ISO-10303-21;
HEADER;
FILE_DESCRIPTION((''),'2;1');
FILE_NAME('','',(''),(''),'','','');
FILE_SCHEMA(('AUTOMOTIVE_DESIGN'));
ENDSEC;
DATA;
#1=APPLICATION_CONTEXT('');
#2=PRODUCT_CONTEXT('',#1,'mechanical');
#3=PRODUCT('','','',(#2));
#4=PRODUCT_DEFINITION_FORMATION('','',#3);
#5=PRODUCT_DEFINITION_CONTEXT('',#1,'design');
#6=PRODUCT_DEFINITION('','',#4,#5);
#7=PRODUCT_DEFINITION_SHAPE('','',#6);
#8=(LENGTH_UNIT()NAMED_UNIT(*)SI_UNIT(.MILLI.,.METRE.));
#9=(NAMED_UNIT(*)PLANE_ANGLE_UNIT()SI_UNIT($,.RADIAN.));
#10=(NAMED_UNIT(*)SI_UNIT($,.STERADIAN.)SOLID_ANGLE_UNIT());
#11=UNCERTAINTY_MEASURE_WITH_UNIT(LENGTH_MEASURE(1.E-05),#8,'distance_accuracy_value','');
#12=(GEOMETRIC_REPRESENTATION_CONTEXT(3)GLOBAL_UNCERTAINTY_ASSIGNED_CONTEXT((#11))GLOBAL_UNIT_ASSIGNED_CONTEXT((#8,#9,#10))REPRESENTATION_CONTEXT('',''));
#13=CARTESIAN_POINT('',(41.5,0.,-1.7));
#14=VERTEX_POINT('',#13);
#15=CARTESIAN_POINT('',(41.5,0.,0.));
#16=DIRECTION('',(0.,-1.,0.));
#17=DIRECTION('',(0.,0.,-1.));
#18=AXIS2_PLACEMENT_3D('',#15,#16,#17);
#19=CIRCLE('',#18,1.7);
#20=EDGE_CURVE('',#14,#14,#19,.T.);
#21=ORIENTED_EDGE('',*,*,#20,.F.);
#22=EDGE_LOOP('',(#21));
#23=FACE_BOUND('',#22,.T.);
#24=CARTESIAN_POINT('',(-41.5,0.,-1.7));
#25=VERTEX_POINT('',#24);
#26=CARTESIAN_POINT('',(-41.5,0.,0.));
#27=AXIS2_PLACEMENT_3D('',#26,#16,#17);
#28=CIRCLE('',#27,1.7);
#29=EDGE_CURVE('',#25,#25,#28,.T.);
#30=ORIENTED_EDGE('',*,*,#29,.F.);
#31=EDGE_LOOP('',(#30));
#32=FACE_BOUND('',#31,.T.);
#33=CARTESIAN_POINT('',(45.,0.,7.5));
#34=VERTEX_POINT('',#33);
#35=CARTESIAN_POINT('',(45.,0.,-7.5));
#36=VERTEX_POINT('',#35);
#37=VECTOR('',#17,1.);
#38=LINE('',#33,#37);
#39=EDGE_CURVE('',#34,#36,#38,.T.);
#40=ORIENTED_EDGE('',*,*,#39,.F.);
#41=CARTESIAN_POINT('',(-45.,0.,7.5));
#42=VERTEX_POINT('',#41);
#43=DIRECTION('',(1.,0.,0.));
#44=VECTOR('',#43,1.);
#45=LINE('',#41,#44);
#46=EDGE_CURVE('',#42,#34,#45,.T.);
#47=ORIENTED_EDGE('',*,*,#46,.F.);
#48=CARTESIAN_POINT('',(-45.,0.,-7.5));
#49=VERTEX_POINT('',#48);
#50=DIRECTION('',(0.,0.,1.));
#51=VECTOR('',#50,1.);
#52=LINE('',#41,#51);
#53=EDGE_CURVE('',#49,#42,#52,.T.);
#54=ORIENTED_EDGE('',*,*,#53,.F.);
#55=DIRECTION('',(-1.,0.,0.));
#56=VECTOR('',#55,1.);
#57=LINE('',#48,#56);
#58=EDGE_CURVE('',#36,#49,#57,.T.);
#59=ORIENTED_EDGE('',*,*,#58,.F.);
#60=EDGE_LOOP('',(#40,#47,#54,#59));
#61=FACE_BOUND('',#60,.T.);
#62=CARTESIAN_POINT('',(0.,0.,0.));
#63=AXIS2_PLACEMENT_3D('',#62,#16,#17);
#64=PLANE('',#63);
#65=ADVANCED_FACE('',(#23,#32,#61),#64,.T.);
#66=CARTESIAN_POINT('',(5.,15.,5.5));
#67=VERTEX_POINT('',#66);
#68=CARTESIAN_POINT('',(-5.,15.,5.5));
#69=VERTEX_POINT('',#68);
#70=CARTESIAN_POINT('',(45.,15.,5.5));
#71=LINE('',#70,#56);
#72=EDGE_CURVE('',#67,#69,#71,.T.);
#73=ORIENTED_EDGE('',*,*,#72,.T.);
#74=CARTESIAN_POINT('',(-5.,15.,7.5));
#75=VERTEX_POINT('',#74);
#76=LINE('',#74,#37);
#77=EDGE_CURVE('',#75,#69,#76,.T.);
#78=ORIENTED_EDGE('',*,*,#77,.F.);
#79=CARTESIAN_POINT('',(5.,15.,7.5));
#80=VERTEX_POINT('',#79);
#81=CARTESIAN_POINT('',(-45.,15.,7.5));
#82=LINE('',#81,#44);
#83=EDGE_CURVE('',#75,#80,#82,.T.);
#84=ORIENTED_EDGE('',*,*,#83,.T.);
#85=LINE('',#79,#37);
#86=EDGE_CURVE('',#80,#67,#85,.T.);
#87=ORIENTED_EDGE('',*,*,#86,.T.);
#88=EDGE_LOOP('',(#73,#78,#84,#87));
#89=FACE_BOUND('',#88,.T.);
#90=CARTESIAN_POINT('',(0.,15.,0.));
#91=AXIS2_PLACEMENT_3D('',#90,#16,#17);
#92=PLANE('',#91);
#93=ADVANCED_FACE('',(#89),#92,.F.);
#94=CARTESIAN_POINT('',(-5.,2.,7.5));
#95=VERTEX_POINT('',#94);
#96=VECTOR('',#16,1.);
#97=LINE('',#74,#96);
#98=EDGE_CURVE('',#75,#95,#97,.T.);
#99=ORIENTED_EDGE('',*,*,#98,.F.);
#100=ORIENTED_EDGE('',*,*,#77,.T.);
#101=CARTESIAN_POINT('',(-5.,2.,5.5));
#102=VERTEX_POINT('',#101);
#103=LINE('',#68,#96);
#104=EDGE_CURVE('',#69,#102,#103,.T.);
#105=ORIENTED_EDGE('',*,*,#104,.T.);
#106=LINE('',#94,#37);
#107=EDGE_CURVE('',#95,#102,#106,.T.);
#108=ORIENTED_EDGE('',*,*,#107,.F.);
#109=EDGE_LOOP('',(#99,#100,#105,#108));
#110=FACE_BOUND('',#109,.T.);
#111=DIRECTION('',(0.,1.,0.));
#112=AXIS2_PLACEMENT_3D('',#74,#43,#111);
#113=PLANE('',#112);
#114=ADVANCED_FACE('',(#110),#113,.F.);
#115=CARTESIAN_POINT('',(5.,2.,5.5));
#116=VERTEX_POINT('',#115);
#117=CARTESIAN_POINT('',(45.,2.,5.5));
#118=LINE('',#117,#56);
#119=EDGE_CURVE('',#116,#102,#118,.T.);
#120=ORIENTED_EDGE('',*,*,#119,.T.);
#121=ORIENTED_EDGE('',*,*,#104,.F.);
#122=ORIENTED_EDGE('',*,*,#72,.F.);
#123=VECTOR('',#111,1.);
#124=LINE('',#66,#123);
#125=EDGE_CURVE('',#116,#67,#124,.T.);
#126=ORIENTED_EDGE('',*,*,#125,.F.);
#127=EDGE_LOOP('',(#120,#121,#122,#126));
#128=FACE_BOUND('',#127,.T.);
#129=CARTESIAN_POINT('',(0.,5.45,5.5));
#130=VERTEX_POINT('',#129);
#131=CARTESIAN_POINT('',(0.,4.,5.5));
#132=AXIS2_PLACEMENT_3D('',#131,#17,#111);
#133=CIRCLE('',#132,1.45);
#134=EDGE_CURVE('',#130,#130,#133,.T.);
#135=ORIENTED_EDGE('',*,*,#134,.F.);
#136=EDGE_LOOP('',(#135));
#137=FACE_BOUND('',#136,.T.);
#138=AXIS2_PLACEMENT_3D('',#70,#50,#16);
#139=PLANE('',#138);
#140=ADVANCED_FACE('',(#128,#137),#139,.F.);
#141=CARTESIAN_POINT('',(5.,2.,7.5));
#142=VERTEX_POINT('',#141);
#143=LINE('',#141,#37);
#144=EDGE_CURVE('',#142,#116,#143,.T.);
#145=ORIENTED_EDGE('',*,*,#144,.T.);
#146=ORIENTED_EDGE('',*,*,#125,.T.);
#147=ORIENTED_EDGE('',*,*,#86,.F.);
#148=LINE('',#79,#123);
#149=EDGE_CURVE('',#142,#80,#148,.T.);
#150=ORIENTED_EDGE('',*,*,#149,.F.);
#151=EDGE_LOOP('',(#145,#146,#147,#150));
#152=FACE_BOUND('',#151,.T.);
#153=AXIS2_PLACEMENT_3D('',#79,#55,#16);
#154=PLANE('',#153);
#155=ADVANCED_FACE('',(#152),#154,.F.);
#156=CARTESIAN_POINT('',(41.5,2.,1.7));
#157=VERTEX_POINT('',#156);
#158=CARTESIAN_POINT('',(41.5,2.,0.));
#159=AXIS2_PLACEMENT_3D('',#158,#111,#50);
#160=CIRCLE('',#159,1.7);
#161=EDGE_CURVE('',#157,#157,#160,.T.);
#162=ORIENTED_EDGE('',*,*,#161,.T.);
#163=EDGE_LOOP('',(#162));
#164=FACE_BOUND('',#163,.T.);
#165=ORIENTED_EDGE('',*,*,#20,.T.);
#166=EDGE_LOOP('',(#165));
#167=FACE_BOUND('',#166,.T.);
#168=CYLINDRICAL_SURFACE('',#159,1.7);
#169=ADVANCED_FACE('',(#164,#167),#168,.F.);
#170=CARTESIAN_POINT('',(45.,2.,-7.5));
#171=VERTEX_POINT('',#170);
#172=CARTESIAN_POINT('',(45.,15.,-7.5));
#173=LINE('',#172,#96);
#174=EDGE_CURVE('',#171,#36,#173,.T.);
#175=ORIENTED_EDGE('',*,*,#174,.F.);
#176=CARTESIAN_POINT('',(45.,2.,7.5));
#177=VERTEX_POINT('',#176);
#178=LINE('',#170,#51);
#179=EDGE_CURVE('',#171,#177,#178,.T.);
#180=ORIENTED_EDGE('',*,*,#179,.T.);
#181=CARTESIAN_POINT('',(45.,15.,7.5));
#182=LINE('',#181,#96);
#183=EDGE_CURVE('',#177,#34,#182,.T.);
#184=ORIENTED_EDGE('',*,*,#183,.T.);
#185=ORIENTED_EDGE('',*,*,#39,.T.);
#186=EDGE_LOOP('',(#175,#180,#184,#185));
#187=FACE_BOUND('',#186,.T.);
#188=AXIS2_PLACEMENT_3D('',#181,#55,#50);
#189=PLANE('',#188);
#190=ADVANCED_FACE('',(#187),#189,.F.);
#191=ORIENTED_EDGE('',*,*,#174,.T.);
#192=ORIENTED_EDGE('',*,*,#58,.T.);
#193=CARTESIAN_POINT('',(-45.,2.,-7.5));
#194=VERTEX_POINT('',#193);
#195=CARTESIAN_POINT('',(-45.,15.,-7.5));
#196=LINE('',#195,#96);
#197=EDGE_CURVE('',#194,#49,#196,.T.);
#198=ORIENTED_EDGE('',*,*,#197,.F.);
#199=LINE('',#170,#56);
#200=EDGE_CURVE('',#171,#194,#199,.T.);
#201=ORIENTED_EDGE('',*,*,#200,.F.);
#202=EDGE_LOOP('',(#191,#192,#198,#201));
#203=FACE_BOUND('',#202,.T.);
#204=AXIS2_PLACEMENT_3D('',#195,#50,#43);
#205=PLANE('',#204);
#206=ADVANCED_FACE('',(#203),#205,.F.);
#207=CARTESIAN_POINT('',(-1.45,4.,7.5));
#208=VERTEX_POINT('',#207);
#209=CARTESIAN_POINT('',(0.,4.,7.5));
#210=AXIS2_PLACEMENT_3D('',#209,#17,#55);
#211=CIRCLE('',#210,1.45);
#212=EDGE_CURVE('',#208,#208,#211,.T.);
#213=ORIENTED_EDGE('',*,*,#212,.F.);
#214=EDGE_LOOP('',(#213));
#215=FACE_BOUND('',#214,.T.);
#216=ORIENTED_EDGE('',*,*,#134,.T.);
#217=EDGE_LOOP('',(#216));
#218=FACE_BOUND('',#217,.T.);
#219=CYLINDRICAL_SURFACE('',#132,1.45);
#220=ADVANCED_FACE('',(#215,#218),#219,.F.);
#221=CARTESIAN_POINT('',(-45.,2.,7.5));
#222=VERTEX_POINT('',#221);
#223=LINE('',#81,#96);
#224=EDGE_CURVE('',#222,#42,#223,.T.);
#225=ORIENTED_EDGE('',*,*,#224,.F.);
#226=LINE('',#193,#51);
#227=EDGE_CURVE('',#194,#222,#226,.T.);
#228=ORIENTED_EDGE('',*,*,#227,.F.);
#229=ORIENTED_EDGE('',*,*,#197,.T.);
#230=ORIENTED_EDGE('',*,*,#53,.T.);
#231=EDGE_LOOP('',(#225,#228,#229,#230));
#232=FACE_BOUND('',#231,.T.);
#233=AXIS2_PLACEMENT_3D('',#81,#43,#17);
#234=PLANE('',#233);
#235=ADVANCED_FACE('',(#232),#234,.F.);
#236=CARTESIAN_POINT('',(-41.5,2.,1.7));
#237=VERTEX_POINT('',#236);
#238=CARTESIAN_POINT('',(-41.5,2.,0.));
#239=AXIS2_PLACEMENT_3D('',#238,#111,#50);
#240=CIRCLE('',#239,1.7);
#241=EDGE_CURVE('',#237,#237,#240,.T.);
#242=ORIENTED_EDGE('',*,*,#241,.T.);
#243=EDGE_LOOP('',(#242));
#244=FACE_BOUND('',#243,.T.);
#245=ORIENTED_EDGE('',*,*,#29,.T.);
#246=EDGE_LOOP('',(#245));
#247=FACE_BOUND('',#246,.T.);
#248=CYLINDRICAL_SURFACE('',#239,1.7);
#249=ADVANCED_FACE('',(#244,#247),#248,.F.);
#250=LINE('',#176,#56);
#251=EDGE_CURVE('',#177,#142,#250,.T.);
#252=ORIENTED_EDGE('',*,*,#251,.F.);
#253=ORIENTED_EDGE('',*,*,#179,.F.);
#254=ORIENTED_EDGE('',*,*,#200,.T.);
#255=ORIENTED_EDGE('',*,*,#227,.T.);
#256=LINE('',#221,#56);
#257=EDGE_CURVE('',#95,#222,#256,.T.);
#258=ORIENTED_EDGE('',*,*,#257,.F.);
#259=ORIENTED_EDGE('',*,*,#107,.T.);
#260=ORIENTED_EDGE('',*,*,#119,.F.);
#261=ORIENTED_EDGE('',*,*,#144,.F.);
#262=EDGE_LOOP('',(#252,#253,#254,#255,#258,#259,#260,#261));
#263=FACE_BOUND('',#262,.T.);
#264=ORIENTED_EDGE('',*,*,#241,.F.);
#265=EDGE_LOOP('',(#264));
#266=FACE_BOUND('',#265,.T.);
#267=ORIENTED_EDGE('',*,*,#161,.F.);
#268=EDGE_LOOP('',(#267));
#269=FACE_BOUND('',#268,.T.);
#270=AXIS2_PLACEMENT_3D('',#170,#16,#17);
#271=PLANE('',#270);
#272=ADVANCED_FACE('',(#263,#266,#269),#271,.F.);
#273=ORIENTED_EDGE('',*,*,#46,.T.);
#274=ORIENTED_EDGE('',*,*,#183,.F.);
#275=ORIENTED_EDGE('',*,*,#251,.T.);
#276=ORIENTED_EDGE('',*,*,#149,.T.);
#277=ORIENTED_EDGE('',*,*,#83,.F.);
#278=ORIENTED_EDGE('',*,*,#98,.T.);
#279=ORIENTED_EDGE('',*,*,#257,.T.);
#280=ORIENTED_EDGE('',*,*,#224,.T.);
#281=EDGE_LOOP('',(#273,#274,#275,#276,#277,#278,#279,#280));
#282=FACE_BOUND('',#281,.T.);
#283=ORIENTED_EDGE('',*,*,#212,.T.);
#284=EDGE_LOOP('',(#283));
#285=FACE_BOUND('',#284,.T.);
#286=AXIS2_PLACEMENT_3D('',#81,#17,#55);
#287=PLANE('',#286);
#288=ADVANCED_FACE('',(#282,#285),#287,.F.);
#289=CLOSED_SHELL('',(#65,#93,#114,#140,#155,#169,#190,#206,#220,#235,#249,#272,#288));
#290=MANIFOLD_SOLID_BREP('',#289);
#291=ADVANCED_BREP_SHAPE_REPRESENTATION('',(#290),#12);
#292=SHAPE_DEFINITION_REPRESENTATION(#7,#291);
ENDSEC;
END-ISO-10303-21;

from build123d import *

# Parameters (mm, degrees)
ESQUISSE1_W             = 90
ESQUISSE1_H             = 15
BOSS_EXTRU_1_DEPTH      = 15
ESQUISSE2_W             = 13
ESQUISSE2_H             = 13
ENL_V_MAT_EXTRU_1_DEPTH = 92.549167118
D_GAGEMENT_M31_D        = 3.4
D_GAGEMENT_M31_DEPTH    = 24
D_GAGEMENT_M31_TIP      = 1.021463052
ESQUISSE5_W             = 40
ESQUISSE5_H             = 13
ENL_V_MAT_EXTRU_2_DEPTH = 50.183330509
D_GAGEMENT_M2_51_D      = 2.9
D_GAGEMENT_M2_51_DEPTH  = 24
D_GAGEMENT_M2_51_TIP    = 0.871247898


with BuildPart() as part:
    # Esquisse1 → Boss.-Extru.1 (new body)
    with BuildSketch(Plane(origin=(0, 0, 0), x_dir=(1, 0, 0), z_dir=(0, 1, 0))):
        Rectangle(ESQUISSE1_W, ESQUISSE1_H)
    extrude(amount=BOSS_EXTRU_1_DEPTH)

    # Esquisse2 → Enlèv. mat.-Extru.1 (cut, through all)
    with BuildSketch(Plane.ZY.offset(45)):
        with Locations((-1, 8.5)):
            Rectangle(ESQUISSE2_W, ESQUISSE2_H)
    extrude(amount=-ENL_V_MAT_EXTRU_1_DEPTH, mode=Mode.SUBTRACT)

    # Dégagement M31
    with Locations(Plane(origin=(0, 2, 0), x_dir=(1, 0, 0), z_dir=(0, 1, 0))):
        with Locations((-41.5, 0), (41.5, 0)):
            Hole(D_GAGEMENT_M31_D / 2, depth=D_GAGEMENT_M31_DEPTH)
            with Locations((0, 0, -(D_GAGEMENT_M31_DEPTH + D_GAGEMENT_M31_TIP / 2))):  # 118° drill point
                Cone(0, D_GAGEMENT_M31_D / 2, D_GAGEMENT_M31_TIP, mode=Mode.SUBTRACT)

    # Esquisse5 → Enlèv. mat.-Extru.2 (cut, through all)
    with BuildSketch(Plane(origin=(0, 0, 5.5), x_dir=(-1, 0, 0), z_dir=(0, 0, -1))):
        with Locations((25, 8.5)):
            Rectangle(ESQUISSE5_W, ESQUISSE5_H)
        with Locations((-25, 8.5)):
            Rectangle(ESQUISSE5_W, ESQUISSE5_H)
    extrude(amount=-ENL_V_MAT_EXTRU_2_DEPTH, mode=Mode.SUBTRACT)

    # Dégagement M2.51
    with Locations(Plane(origin=(0, 0, 5.5), x_dir=(-1, 0, 0), z_dir=(0, 0, -1))):
        with Locations((0, 4)):
            Hole(D_GAGEMENT_M2_51_D / 2, depth=D_GAGEMENT_M2_51_DEPTH)
            with Locations((0, 0, -(D_GAGEMENT_M2_51_DEPTH + D_GAGEMENT_M2_51_TIP / 2))):  # 118° drill point
                Cone(0, D_GAGEMENT_M2_51_D / 2, D_GAGEMENT_M2_51_TIP, mode=Mode.SUBTRACT)


solid = part.part
